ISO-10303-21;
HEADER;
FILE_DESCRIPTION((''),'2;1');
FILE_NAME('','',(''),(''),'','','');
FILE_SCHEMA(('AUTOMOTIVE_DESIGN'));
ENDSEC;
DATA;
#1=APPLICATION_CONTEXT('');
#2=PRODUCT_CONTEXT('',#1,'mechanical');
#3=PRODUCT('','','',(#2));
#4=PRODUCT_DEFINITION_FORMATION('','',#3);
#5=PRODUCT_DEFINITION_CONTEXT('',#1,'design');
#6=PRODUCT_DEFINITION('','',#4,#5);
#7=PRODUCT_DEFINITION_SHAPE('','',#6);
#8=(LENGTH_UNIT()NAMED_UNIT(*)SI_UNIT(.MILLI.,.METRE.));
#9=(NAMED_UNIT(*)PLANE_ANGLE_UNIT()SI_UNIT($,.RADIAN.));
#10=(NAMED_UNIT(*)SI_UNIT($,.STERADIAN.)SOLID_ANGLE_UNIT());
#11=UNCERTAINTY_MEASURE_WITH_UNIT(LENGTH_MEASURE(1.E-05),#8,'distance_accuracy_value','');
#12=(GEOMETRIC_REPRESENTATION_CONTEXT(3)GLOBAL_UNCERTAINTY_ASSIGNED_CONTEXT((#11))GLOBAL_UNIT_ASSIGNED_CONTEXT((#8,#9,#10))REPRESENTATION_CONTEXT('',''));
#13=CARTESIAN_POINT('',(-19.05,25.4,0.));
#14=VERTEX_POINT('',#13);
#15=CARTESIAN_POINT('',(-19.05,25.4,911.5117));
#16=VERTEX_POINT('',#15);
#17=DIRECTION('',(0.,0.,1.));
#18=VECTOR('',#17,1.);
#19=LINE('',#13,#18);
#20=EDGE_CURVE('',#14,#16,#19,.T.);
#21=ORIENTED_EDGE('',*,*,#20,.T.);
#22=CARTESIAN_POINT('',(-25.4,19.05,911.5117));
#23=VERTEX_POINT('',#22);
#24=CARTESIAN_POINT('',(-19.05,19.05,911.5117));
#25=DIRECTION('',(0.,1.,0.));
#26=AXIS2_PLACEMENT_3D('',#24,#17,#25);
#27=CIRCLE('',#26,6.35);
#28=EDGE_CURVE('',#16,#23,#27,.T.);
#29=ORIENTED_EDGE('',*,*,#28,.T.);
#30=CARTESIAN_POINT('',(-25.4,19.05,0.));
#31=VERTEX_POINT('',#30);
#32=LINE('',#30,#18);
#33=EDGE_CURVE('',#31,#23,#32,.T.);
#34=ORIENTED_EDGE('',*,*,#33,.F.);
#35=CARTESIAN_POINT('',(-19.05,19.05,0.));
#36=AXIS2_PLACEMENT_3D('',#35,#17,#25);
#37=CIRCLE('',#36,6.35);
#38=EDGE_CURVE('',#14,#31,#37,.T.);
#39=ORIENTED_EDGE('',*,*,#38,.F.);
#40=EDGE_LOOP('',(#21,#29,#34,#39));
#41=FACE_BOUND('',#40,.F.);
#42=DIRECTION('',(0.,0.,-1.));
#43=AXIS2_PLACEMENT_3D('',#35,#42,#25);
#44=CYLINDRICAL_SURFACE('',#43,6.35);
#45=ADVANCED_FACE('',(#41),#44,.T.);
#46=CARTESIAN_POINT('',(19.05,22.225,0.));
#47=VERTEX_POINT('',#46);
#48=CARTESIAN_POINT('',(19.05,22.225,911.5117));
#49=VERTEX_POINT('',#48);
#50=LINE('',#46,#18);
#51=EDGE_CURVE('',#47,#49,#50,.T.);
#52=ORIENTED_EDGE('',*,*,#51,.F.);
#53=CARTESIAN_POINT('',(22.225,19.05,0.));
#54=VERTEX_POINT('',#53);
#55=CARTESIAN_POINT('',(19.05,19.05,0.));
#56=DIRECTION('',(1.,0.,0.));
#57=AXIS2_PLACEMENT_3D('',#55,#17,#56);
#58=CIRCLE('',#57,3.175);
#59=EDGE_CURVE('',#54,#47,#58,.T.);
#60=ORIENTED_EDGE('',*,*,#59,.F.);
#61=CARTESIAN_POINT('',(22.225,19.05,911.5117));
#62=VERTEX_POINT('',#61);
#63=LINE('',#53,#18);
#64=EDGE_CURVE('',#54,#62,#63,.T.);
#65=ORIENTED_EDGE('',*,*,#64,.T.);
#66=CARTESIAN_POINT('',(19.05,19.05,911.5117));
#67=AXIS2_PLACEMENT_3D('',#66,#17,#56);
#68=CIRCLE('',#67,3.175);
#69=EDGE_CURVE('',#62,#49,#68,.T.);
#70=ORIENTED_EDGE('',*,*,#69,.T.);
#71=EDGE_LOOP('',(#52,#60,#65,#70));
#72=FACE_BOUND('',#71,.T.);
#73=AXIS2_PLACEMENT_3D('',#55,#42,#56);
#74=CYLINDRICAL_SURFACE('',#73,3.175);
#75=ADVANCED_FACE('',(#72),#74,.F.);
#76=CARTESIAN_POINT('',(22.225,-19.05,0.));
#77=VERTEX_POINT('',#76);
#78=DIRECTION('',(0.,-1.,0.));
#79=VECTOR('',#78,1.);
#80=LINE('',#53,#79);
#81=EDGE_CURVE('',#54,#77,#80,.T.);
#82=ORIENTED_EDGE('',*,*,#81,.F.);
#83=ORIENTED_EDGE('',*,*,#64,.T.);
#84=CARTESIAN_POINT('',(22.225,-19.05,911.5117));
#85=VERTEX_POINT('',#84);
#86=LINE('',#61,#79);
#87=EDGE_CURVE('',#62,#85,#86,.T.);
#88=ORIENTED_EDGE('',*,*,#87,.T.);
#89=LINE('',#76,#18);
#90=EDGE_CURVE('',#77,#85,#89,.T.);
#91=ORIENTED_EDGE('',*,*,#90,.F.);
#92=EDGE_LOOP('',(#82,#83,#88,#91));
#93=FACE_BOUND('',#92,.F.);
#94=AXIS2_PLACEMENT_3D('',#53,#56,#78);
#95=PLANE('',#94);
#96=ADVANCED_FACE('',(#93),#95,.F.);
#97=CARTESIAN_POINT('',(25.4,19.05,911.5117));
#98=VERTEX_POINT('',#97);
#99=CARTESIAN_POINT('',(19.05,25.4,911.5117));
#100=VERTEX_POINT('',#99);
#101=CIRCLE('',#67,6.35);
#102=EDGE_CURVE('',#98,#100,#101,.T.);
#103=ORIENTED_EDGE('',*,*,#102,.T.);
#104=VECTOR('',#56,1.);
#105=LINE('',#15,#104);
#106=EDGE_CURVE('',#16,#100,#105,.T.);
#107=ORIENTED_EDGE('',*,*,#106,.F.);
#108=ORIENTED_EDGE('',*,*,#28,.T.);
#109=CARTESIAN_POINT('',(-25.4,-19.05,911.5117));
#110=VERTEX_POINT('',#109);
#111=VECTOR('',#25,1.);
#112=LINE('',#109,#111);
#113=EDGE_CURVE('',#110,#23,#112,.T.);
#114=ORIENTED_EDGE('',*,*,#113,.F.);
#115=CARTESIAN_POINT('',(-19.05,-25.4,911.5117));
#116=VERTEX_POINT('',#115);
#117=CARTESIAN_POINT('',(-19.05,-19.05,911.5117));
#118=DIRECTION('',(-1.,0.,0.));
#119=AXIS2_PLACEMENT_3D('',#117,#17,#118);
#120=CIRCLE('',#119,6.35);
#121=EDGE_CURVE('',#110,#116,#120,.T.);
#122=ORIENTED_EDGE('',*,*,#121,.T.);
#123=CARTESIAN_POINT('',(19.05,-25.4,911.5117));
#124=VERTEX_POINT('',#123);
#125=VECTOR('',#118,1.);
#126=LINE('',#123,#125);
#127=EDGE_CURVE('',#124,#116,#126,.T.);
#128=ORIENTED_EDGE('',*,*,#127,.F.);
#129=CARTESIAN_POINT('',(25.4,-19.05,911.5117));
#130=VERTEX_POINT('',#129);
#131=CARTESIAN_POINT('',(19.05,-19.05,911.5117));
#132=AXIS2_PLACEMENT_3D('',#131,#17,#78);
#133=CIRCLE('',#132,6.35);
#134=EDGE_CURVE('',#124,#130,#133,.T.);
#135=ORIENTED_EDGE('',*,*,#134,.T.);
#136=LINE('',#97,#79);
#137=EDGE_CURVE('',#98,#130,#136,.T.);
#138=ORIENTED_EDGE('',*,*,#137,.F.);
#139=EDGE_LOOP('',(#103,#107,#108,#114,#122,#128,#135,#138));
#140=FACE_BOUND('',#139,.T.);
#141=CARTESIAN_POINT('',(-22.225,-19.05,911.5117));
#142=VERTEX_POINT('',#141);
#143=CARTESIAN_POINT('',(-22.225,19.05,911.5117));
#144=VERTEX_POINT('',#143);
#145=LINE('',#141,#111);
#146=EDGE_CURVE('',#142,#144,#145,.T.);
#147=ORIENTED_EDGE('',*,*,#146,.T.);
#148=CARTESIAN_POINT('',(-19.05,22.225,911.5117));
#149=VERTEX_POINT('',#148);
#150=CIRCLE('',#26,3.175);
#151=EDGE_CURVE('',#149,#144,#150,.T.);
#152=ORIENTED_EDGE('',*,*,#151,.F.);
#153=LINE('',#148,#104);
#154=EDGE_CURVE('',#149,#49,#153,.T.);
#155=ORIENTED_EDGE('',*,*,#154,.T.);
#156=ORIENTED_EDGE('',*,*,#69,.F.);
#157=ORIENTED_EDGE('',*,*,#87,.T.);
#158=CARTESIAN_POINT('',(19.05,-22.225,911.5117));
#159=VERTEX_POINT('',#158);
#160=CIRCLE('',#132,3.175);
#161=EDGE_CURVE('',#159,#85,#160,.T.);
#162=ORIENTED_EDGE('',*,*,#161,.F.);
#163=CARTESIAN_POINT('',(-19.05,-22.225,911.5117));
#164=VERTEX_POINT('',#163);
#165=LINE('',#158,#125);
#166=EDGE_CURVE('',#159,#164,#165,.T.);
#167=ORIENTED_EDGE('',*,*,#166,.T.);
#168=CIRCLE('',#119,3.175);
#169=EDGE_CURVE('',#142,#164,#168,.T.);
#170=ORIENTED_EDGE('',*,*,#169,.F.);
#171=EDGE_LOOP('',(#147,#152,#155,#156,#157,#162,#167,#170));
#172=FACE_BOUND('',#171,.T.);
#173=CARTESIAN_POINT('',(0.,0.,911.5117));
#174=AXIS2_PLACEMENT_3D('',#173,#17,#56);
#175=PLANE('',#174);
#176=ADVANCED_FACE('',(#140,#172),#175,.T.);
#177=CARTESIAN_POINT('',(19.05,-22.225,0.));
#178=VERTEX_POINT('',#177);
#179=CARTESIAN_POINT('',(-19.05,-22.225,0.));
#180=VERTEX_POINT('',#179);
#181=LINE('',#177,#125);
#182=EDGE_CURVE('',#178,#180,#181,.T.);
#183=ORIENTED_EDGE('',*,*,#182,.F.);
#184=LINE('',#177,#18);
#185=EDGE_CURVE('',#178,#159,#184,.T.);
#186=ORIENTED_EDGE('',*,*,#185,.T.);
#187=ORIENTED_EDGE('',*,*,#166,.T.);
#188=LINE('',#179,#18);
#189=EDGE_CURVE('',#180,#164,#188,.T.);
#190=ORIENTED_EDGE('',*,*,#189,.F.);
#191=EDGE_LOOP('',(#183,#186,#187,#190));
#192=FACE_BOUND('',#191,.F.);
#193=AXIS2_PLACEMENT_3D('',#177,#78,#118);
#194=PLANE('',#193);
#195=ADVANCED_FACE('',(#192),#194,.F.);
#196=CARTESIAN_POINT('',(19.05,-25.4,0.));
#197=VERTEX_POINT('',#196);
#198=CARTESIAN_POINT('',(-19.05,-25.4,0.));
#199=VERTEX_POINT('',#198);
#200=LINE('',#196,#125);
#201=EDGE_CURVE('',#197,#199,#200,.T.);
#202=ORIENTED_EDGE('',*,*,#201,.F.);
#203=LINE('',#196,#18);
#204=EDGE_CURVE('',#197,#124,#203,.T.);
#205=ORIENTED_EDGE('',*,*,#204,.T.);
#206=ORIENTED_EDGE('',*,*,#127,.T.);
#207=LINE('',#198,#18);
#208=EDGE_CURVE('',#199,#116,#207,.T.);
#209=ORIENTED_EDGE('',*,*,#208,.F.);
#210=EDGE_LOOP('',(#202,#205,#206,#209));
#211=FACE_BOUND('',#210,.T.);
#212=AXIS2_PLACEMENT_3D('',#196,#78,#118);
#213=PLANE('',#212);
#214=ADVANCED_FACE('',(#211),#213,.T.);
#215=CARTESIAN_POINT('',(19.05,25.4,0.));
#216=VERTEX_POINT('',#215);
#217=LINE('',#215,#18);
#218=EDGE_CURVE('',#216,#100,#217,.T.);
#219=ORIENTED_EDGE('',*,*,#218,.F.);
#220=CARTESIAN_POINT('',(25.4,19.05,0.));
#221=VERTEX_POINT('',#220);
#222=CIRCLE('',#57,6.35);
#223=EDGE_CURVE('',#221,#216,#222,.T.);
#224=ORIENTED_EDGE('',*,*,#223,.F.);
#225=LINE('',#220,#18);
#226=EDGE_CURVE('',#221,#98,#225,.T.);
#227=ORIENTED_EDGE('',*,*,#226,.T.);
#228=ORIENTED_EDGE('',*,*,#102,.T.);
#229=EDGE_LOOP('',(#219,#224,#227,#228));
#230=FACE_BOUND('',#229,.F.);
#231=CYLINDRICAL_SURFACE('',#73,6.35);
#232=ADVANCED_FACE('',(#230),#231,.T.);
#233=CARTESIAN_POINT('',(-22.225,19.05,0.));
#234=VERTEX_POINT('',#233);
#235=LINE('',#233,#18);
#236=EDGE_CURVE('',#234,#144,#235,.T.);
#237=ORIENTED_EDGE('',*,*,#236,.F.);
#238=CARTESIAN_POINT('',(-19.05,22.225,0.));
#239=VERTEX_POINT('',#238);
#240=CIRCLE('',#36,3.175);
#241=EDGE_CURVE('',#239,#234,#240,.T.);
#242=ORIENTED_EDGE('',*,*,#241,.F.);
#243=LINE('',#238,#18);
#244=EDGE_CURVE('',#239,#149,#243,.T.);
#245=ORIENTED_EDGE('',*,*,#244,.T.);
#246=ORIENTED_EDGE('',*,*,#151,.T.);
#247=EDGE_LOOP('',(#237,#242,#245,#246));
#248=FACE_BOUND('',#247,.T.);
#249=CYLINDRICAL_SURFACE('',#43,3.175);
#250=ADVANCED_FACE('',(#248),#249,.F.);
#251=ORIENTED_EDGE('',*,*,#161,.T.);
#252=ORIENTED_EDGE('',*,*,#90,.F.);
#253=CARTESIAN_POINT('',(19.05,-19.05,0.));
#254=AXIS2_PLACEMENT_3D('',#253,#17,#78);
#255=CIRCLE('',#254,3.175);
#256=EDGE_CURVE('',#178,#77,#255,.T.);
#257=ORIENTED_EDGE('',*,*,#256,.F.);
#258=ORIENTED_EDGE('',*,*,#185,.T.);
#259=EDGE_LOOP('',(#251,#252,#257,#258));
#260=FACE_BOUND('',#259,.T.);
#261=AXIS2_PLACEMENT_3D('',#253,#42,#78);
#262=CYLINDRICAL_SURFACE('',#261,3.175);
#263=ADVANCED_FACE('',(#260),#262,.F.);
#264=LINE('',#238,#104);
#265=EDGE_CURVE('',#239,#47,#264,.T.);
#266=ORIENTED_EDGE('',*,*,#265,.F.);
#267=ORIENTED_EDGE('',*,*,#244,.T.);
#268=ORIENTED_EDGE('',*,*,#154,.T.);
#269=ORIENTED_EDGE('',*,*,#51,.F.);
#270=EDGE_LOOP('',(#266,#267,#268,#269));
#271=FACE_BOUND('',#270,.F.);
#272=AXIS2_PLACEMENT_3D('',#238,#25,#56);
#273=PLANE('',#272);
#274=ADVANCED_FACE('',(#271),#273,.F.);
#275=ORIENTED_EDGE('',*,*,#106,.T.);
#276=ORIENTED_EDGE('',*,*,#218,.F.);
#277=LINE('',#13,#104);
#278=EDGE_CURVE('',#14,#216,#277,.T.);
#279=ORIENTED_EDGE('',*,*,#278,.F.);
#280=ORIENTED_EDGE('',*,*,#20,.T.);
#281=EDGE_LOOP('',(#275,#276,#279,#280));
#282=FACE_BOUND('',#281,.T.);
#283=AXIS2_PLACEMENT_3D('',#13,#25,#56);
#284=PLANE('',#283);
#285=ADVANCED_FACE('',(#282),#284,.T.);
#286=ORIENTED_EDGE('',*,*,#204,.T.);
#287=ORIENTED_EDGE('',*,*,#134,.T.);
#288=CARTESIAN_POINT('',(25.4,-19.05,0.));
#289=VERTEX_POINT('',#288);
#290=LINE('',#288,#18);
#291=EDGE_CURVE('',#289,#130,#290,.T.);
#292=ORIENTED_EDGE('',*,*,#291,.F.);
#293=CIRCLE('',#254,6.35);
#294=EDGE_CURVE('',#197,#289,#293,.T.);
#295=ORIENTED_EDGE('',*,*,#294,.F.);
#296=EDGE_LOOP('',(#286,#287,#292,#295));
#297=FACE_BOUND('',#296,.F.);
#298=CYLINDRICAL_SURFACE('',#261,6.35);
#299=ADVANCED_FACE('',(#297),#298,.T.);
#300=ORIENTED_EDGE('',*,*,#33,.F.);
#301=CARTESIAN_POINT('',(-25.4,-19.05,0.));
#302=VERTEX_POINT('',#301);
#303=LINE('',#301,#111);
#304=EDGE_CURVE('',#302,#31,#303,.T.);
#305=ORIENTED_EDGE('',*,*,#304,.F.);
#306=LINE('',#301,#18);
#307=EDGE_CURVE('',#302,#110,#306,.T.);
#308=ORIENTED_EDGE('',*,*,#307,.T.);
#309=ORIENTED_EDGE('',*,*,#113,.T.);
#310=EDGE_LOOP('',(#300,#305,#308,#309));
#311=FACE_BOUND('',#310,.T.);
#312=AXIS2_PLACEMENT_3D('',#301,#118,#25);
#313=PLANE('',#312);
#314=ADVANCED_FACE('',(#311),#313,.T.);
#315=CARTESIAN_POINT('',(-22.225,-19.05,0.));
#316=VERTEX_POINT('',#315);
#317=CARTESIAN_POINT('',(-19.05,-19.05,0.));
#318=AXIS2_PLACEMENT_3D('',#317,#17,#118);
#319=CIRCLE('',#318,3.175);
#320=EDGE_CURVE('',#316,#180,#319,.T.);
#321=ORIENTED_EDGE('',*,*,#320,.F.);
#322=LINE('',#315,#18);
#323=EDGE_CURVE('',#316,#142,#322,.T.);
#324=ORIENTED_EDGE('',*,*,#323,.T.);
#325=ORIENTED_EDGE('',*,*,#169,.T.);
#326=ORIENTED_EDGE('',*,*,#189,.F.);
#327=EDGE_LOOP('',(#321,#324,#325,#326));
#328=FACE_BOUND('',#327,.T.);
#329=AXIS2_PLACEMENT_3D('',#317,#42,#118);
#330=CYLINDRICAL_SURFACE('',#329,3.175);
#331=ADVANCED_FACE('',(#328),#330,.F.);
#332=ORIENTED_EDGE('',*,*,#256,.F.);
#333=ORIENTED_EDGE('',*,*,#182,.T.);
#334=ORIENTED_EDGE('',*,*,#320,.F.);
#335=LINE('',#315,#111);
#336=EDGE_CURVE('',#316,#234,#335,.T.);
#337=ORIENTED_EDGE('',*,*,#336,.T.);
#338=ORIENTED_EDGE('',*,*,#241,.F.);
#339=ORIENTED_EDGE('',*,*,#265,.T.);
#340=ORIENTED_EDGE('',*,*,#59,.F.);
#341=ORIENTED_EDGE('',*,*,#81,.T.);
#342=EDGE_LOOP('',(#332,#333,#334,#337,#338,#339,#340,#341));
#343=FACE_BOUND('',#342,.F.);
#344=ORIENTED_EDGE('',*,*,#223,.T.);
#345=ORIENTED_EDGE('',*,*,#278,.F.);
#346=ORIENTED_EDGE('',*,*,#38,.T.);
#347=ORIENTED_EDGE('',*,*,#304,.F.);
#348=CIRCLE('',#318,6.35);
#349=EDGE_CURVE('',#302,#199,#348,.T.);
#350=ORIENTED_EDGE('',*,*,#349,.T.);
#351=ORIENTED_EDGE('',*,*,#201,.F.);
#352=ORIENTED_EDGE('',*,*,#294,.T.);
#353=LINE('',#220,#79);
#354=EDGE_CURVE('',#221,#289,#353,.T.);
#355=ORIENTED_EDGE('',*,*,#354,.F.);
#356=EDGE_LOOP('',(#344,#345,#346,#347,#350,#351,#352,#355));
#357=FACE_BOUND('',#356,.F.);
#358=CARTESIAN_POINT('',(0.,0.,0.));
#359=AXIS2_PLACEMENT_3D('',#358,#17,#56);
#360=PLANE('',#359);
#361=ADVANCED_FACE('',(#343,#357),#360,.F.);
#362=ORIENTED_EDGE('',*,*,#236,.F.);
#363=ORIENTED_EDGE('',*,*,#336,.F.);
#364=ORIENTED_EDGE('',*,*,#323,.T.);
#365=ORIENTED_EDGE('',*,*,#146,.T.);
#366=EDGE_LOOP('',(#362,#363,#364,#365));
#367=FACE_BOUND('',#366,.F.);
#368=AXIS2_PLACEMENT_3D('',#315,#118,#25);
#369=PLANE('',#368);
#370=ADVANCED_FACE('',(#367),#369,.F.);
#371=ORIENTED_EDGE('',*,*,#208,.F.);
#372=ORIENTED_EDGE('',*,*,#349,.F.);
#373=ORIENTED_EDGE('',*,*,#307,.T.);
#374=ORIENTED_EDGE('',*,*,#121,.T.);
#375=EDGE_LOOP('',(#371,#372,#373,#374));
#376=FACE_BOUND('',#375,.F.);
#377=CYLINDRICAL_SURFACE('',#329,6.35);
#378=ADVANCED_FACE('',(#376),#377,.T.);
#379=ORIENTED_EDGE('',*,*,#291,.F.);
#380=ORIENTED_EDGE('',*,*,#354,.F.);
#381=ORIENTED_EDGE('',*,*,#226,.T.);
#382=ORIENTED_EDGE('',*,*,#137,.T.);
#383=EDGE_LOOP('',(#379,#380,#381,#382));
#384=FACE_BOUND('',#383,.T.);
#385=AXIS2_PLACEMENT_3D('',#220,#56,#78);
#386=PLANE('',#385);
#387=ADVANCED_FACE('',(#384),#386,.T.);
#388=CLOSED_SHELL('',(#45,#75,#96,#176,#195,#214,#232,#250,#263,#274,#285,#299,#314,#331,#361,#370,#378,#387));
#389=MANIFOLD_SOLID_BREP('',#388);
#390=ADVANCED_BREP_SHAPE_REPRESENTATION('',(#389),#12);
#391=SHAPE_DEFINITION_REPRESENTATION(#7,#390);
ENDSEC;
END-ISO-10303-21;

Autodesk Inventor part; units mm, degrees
ref_plane "YZ Plane" through (0, 0, 0) normal (1, 0, 0) x (0, 1, 0)
ref_plane "Start plane" through (0, 0, 0) normal (0, 0, 1) x (1, 0, 0)
ref_plane "End plane" through (0, 0, 911.5117) normal (0, 0, 1) x (1, 0, 0)
sketch "Sketch" plane through (0, 0, 0) normal (0, 0, 1) x (1, 0, 0)
  line L0 (-25.4, -19.05) -> (-25.4, 19.05)
  line L1 (-19.05, 25.4) -> (19.05, 25.4)
  line L2 (25.4, 19.05) -> (25.4, -19.05)
  line L3 (19.05, -25.4) -> (-19.05, -25.4)
  arc A0 (-25.4, -19.05) -> (-19.05, -25.4) centre (-19.05, -19.05) ccw
  arc A1 (-19.05, 25.4) -> (-25.4, 19.05) centre (-19.05, 19.05) ccw
  arc A2 (25.4, 19.05) -> (19.05, 25.4) centre (19.05, 19.05) ccw
  arc A3 (19.05, -25.4) -> (25.4, -19.05) centre (19.05, -19.05) ccw
  arc A4 (-19.05, 22.225) -> (-22.225, 19.05) centre (-19.05, 19.05) ccw
  line L4 (-19.05, 22.225) -> (19.05, 22.225)
  arc A5 (22.225, 19.05) -> (19.05, 22.225) centre (19.05, 19.05) ccw
  line L5 (22.225, 19.05) -> (22.225, -19.05)
  arc A6 (19.05, -22.225) -> (22.225, -19.05) centre (19.05, -19.05) ccw
  line L6 (19.05, -22.225) -> (-19.05, -22.225)
  arc A7 (-22.225, -19.05) -> (-19.05, -22.225) centre (-19.05, -19.05) ccw
  line L7 (-22.225, -19.05) -> (-22.225, 19.05)
  line L8 (0, 37.4012) -> (0, -37.4012) construction
  line L9 (-37.4012, 0) -> (37.4012, 0) construction
  dimension "d10" = 50.8
  dimension "d11" = 50.8
  dimension "d12" = 3.175
  dimension "d15" = 25.4
  dimension "d16" = 25.4
  dimension "d17" = 6.35
extrude "Body" add sketch "Sketch" along normal up to surface (911.5117 mm away) from surface at 0
sketch "Sketch3" plane through (0, 0, 0) normal (0, 0, 1) x (1, 0, 0)
  line L0 (0, 0) -> (10, 0)
ref_plane "Work Plane3" through (0, 0, 0) normal (0, -1, 0) x (1, 0, 0)
sketch "Sketch4" plane through (0, 0, 0) normal (0, -1, 0) x (1, 0, 0)
  line L0 (-2, 0) -> (12, 0)
  line L1 (-2, 911.5117) -> (12, 911.5117)
  dimension "d19" = 911.5118
equation "\"d10\" = G_H"
equation "\"d11\" = G_W"
equation "\"d12\" = G_T"
equation "\"d15\" = 0.5 * d10"
equation "\"d16\" = 0.5 * d11"
equation "\"d17\" = G_IR"
equation "\"d3\" = G_L"
equation "\"G_W\" = 50.8"
equation "\"G_H\" = 50.8"
equation "\"G_T\" = 3.175"
equation "\"G_IR\" = 6.35"
equation "\"G_L\" = d19"
equation "\"G_OFFSET_START\" = 0"
equation "\"G_OFFSET_END\" = 0"
equation "\"d14\" = G_OFFSET_END + B_L"
equation "\"B_L\" = 911.51175"
properties part number "AISC HSS - 2 x 2 x 1/8 - 35.886" material "Steel, Mild"
